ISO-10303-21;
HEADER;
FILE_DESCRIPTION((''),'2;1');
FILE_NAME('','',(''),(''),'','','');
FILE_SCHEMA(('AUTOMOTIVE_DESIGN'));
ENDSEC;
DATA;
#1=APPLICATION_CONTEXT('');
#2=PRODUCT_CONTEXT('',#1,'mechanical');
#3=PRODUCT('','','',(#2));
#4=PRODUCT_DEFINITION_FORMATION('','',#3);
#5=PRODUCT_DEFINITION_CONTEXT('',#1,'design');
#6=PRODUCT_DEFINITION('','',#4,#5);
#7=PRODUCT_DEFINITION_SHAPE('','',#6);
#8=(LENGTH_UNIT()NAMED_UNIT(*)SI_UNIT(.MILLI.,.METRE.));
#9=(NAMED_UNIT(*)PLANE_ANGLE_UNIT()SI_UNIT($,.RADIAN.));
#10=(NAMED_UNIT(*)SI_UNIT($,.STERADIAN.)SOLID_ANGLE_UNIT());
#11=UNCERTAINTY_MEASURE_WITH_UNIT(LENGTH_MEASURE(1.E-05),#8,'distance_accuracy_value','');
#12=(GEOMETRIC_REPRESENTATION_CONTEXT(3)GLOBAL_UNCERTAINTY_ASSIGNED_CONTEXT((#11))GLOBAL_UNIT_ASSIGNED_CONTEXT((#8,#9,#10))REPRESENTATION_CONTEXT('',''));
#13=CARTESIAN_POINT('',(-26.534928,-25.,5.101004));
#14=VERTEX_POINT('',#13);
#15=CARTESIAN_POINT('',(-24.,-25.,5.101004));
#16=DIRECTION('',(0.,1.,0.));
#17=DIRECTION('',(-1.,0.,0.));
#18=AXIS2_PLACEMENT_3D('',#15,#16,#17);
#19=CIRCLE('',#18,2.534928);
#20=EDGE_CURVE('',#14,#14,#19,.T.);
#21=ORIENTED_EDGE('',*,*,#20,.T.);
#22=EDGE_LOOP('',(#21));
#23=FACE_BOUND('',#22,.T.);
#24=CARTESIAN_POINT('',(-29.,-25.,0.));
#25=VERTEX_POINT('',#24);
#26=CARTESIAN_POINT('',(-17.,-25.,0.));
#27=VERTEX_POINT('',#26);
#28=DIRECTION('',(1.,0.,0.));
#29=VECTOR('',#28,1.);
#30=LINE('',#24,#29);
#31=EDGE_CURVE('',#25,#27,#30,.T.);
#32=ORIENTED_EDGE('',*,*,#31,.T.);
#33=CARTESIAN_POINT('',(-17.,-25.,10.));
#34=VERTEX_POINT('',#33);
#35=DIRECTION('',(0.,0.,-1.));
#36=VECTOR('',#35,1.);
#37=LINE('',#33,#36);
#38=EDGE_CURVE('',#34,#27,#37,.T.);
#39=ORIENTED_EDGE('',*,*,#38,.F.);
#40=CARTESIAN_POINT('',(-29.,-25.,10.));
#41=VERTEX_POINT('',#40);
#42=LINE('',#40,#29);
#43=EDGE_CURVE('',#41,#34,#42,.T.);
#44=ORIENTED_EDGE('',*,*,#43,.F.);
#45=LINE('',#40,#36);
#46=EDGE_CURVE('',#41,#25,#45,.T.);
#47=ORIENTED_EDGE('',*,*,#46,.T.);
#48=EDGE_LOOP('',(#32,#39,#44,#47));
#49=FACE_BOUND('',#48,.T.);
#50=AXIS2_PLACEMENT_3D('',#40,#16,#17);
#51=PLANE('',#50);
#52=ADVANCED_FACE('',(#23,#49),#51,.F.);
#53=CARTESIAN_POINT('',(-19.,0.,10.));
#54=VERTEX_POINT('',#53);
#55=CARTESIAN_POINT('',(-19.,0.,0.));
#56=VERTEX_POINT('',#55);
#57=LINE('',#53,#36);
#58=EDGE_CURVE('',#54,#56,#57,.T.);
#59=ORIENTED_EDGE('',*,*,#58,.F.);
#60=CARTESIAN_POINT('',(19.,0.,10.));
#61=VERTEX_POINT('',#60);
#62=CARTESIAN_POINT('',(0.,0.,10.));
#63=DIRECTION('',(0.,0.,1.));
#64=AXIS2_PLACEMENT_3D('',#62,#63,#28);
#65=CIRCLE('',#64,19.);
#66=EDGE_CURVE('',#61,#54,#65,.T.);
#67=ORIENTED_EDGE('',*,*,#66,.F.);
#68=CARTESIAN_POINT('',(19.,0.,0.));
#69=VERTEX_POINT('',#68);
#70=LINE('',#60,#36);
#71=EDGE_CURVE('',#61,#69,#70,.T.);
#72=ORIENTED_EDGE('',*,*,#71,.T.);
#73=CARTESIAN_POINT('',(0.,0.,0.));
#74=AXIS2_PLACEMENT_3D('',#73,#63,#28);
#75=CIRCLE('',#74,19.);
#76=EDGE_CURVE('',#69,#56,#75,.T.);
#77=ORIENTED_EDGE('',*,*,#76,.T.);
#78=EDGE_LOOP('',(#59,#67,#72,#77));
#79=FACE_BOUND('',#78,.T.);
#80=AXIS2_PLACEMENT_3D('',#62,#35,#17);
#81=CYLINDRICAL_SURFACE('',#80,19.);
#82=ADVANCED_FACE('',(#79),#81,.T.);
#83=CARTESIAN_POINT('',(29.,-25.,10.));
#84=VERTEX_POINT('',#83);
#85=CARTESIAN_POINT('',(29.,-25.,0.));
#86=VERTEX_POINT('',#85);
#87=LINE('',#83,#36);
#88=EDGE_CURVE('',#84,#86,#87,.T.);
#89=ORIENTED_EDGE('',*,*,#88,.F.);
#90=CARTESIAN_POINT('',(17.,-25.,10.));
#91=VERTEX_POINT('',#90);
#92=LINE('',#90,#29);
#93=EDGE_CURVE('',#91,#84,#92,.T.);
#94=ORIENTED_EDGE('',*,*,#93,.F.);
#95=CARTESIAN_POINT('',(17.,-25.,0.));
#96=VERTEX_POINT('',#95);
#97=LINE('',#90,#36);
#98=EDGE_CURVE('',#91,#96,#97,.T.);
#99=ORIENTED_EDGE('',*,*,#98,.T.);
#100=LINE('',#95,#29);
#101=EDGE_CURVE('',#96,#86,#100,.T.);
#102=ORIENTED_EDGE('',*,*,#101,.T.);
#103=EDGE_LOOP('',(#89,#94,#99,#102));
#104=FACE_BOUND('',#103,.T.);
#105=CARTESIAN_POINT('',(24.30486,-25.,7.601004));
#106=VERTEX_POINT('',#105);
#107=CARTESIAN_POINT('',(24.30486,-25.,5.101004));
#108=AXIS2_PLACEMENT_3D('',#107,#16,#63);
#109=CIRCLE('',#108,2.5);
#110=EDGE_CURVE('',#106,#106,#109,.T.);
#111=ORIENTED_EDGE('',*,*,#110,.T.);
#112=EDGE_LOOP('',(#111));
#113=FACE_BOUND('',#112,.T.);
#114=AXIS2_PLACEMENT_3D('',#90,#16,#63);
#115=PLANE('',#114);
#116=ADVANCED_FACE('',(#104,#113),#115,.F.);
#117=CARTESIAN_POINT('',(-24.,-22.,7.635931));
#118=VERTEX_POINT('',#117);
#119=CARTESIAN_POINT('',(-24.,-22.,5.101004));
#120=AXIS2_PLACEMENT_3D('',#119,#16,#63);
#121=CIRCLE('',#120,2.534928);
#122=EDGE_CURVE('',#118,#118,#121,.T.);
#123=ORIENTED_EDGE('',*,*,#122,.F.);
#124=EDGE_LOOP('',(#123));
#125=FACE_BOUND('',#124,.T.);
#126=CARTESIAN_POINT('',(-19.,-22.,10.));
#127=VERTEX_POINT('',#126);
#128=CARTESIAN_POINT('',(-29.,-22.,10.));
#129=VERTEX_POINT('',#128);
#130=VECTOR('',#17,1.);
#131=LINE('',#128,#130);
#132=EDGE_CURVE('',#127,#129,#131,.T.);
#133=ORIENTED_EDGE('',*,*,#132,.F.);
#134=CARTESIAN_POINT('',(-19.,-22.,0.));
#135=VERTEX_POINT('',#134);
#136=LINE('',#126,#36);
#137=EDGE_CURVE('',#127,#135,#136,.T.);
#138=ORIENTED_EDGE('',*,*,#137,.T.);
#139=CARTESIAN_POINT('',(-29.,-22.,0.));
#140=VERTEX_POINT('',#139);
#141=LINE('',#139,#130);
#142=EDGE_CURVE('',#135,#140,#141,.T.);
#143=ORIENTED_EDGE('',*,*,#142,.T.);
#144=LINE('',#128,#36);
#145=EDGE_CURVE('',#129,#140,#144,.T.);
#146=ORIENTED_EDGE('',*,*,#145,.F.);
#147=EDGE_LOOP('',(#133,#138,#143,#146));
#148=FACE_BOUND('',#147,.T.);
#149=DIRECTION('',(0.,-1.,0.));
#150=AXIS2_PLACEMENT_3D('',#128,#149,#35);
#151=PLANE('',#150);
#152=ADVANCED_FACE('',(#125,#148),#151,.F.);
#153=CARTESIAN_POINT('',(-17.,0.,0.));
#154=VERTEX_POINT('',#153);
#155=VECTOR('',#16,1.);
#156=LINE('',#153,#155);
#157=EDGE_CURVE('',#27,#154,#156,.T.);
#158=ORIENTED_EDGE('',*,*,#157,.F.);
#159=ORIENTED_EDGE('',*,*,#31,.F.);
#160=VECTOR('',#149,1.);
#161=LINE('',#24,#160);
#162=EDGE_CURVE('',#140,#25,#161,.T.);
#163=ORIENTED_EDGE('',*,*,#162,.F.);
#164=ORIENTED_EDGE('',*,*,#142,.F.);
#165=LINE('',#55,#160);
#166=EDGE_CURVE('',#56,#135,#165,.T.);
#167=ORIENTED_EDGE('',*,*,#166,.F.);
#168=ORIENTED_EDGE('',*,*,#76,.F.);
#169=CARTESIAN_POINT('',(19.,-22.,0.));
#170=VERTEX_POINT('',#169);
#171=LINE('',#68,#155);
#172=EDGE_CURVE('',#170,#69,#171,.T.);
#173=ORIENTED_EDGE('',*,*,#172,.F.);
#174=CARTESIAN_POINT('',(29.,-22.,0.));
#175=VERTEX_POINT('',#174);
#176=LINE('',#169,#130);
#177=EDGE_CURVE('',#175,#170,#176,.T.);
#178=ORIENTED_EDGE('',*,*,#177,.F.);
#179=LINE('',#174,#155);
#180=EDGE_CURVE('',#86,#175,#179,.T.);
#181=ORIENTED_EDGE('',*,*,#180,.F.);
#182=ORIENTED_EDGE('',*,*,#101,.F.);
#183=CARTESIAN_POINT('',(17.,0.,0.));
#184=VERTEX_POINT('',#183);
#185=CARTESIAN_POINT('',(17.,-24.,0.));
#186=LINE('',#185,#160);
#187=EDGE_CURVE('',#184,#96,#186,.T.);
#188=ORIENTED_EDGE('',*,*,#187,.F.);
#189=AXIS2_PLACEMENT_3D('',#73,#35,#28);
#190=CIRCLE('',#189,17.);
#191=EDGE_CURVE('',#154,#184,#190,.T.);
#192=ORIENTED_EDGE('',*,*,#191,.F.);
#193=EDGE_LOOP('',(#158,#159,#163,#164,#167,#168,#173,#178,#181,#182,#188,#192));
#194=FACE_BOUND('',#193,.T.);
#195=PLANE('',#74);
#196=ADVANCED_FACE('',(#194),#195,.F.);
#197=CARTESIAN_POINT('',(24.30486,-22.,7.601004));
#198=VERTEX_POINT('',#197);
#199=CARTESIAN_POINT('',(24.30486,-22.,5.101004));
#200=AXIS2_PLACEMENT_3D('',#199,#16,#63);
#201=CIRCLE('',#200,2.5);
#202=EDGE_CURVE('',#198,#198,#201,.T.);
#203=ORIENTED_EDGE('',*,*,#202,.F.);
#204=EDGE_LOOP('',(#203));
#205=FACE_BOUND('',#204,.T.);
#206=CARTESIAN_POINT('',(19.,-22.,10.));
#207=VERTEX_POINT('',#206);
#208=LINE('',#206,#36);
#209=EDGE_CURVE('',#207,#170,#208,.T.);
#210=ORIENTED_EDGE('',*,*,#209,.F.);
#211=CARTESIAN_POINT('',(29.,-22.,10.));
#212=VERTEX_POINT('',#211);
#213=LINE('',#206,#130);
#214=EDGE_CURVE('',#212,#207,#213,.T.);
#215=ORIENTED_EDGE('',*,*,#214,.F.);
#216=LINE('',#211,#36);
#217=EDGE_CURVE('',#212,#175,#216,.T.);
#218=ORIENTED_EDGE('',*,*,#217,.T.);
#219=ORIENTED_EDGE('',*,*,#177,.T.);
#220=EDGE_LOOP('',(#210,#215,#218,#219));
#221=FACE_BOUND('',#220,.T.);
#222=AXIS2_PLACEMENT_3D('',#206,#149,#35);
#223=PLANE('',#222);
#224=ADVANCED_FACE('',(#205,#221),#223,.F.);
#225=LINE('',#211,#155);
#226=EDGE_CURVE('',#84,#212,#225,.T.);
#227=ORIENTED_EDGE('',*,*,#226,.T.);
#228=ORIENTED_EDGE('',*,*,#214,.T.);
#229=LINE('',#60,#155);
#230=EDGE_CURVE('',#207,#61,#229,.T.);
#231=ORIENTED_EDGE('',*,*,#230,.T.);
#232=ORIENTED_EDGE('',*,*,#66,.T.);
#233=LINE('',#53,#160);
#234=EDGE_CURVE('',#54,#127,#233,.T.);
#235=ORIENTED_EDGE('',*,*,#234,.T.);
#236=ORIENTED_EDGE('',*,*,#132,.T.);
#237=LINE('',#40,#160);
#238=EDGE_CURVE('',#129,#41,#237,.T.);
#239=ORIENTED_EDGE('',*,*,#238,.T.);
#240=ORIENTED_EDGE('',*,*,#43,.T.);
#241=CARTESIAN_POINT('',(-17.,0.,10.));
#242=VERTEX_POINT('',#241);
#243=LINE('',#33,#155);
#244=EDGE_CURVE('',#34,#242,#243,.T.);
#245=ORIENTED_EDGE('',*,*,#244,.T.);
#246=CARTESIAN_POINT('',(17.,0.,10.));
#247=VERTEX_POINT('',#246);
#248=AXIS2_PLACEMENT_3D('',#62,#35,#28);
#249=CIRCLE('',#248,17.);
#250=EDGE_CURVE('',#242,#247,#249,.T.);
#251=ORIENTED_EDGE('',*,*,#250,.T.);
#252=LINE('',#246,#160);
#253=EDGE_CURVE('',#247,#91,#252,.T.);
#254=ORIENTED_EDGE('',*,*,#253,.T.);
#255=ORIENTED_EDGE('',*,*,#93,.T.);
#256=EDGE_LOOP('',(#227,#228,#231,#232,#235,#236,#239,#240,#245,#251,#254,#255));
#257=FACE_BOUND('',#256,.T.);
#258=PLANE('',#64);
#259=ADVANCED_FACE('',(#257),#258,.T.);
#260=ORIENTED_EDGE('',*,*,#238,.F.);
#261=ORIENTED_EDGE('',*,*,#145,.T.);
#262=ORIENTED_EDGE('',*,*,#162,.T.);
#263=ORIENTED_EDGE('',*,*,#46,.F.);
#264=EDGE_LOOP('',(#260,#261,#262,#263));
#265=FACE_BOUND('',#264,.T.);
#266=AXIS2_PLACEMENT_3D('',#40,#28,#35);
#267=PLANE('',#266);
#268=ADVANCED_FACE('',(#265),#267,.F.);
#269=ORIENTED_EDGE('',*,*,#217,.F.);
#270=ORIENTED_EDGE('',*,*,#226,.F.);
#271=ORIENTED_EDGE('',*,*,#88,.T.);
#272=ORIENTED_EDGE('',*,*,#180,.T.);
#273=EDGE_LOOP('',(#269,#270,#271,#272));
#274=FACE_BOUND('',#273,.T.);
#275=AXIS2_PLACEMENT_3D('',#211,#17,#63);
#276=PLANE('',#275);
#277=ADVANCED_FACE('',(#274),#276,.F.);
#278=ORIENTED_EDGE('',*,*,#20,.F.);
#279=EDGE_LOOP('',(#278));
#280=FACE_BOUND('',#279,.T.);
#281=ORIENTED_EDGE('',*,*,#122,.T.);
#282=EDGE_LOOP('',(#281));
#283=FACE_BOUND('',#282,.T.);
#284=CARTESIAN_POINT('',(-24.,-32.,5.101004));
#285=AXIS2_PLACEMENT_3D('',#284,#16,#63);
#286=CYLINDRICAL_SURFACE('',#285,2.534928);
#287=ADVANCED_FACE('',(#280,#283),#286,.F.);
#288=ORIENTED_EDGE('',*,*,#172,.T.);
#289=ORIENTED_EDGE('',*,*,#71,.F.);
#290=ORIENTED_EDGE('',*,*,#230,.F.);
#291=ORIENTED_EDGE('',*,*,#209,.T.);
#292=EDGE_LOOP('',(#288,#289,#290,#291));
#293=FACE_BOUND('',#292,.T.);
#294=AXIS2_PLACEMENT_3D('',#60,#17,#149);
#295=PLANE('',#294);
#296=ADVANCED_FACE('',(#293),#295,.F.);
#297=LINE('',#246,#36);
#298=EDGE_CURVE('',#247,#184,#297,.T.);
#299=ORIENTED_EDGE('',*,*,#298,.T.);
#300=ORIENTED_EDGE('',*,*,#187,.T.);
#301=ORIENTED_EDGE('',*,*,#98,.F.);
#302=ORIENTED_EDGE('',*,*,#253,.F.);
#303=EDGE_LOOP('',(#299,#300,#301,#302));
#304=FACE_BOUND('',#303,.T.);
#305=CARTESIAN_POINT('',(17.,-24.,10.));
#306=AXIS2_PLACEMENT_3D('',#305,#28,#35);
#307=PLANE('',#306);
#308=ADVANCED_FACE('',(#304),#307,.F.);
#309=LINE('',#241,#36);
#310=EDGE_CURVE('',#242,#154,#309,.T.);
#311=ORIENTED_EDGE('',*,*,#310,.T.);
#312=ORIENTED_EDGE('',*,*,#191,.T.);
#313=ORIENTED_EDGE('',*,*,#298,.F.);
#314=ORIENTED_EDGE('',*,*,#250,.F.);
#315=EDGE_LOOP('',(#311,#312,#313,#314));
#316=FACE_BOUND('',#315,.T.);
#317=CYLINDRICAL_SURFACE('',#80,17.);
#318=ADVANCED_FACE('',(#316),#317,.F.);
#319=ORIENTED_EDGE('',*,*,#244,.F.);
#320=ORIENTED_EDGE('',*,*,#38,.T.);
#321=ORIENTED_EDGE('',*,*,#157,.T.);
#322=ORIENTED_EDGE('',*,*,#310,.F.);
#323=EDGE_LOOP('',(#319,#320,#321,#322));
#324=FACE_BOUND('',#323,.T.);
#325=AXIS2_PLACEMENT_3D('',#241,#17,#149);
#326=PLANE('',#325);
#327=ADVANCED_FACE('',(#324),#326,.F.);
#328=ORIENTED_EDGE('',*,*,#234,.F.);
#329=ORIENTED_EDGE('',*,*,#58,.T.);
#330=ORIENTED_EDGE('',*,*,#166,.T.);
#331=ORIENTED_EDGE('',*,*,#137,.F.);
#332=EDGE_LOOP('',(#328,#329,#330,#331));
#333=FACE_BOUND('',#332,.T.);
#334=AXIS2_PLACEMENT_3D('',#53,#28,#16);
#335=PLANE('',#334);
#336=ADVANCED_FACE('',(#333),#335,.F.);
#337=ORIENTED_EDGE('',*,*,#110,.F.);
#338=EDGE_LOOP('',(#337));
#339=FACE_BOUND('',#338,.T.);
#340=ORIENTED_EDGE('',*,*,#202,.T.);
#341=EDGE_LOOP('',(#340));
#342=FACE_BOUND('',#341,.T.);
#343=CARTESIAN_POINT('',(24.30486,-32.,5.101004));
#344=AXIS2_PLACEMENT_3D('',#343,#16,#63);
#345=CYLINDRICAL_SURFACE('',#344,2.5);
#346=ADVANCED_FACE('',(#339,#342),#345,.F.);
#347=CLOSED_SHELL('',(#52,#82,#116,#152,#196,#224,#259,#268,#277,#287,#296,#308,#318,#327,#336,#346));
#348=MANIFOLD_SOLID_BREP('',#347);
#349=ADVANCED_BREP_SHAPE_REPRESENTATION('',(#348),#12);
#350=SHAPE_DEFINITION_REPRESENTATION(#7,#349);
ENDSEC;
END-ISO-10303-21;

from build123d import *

# Parameters (mm, degrees)
BOSS_EXTRUDE1_DEPTH = 10
SKETCH2_R           = 2.534927605
SKETCH2_R_2         = 2.5
CUT_EXTRUDE1_DEPTH  = 10


with BuildPart() as part:
    # Sketch1 → Boss-Extrude1 (new body)
    with BuildSketch(Plane.XY):
        with BuildLine():
            Line((-17, 0), (-17, -24))
            Line((-17, -24), (-17, -25))
            Line((-17, -25), (-29, -25))
            Line((-29, -25), (-29, -22))
            Line((-29, -22), (-19, -22))
            Line((-19, -22), (-19, 0))
            ThreePointArc((-19, 0), (0, 19), (19, 0))
            Line((19, 0), (19, -22))
            Line((19, -22), (29, -22))
            Line((29, -22), (29, -25))
            Line((29, -25), (17, -25))
            Line((17, -25), (17, -24))
            Line((17, -24), (17, 0))
            ThreePointArc((17, 0), (0, 17), (-17, 0))
        make_face()
    extrude(amount=BOSS_EXTRUDE1_DEPTH)

    # Sketch2 → Cut-Extrude1 (cut)
    with BuildSketch(Plane(origin=(0, -22, 0), x_dir=(1, 0, 0), z_dir=(0, 1, 0))):
        with Locations((-24, -5.101003531)):
            Circle(SKETCH2_R)
        with Locations((24.304859837, -5.101003531)):
            Circle(SKETCH2_R_2)
    extrude(amount=-CUT_EXTRUDE1_DEPTH, mode=Mode.SUBTRACT)


solid = part.part
